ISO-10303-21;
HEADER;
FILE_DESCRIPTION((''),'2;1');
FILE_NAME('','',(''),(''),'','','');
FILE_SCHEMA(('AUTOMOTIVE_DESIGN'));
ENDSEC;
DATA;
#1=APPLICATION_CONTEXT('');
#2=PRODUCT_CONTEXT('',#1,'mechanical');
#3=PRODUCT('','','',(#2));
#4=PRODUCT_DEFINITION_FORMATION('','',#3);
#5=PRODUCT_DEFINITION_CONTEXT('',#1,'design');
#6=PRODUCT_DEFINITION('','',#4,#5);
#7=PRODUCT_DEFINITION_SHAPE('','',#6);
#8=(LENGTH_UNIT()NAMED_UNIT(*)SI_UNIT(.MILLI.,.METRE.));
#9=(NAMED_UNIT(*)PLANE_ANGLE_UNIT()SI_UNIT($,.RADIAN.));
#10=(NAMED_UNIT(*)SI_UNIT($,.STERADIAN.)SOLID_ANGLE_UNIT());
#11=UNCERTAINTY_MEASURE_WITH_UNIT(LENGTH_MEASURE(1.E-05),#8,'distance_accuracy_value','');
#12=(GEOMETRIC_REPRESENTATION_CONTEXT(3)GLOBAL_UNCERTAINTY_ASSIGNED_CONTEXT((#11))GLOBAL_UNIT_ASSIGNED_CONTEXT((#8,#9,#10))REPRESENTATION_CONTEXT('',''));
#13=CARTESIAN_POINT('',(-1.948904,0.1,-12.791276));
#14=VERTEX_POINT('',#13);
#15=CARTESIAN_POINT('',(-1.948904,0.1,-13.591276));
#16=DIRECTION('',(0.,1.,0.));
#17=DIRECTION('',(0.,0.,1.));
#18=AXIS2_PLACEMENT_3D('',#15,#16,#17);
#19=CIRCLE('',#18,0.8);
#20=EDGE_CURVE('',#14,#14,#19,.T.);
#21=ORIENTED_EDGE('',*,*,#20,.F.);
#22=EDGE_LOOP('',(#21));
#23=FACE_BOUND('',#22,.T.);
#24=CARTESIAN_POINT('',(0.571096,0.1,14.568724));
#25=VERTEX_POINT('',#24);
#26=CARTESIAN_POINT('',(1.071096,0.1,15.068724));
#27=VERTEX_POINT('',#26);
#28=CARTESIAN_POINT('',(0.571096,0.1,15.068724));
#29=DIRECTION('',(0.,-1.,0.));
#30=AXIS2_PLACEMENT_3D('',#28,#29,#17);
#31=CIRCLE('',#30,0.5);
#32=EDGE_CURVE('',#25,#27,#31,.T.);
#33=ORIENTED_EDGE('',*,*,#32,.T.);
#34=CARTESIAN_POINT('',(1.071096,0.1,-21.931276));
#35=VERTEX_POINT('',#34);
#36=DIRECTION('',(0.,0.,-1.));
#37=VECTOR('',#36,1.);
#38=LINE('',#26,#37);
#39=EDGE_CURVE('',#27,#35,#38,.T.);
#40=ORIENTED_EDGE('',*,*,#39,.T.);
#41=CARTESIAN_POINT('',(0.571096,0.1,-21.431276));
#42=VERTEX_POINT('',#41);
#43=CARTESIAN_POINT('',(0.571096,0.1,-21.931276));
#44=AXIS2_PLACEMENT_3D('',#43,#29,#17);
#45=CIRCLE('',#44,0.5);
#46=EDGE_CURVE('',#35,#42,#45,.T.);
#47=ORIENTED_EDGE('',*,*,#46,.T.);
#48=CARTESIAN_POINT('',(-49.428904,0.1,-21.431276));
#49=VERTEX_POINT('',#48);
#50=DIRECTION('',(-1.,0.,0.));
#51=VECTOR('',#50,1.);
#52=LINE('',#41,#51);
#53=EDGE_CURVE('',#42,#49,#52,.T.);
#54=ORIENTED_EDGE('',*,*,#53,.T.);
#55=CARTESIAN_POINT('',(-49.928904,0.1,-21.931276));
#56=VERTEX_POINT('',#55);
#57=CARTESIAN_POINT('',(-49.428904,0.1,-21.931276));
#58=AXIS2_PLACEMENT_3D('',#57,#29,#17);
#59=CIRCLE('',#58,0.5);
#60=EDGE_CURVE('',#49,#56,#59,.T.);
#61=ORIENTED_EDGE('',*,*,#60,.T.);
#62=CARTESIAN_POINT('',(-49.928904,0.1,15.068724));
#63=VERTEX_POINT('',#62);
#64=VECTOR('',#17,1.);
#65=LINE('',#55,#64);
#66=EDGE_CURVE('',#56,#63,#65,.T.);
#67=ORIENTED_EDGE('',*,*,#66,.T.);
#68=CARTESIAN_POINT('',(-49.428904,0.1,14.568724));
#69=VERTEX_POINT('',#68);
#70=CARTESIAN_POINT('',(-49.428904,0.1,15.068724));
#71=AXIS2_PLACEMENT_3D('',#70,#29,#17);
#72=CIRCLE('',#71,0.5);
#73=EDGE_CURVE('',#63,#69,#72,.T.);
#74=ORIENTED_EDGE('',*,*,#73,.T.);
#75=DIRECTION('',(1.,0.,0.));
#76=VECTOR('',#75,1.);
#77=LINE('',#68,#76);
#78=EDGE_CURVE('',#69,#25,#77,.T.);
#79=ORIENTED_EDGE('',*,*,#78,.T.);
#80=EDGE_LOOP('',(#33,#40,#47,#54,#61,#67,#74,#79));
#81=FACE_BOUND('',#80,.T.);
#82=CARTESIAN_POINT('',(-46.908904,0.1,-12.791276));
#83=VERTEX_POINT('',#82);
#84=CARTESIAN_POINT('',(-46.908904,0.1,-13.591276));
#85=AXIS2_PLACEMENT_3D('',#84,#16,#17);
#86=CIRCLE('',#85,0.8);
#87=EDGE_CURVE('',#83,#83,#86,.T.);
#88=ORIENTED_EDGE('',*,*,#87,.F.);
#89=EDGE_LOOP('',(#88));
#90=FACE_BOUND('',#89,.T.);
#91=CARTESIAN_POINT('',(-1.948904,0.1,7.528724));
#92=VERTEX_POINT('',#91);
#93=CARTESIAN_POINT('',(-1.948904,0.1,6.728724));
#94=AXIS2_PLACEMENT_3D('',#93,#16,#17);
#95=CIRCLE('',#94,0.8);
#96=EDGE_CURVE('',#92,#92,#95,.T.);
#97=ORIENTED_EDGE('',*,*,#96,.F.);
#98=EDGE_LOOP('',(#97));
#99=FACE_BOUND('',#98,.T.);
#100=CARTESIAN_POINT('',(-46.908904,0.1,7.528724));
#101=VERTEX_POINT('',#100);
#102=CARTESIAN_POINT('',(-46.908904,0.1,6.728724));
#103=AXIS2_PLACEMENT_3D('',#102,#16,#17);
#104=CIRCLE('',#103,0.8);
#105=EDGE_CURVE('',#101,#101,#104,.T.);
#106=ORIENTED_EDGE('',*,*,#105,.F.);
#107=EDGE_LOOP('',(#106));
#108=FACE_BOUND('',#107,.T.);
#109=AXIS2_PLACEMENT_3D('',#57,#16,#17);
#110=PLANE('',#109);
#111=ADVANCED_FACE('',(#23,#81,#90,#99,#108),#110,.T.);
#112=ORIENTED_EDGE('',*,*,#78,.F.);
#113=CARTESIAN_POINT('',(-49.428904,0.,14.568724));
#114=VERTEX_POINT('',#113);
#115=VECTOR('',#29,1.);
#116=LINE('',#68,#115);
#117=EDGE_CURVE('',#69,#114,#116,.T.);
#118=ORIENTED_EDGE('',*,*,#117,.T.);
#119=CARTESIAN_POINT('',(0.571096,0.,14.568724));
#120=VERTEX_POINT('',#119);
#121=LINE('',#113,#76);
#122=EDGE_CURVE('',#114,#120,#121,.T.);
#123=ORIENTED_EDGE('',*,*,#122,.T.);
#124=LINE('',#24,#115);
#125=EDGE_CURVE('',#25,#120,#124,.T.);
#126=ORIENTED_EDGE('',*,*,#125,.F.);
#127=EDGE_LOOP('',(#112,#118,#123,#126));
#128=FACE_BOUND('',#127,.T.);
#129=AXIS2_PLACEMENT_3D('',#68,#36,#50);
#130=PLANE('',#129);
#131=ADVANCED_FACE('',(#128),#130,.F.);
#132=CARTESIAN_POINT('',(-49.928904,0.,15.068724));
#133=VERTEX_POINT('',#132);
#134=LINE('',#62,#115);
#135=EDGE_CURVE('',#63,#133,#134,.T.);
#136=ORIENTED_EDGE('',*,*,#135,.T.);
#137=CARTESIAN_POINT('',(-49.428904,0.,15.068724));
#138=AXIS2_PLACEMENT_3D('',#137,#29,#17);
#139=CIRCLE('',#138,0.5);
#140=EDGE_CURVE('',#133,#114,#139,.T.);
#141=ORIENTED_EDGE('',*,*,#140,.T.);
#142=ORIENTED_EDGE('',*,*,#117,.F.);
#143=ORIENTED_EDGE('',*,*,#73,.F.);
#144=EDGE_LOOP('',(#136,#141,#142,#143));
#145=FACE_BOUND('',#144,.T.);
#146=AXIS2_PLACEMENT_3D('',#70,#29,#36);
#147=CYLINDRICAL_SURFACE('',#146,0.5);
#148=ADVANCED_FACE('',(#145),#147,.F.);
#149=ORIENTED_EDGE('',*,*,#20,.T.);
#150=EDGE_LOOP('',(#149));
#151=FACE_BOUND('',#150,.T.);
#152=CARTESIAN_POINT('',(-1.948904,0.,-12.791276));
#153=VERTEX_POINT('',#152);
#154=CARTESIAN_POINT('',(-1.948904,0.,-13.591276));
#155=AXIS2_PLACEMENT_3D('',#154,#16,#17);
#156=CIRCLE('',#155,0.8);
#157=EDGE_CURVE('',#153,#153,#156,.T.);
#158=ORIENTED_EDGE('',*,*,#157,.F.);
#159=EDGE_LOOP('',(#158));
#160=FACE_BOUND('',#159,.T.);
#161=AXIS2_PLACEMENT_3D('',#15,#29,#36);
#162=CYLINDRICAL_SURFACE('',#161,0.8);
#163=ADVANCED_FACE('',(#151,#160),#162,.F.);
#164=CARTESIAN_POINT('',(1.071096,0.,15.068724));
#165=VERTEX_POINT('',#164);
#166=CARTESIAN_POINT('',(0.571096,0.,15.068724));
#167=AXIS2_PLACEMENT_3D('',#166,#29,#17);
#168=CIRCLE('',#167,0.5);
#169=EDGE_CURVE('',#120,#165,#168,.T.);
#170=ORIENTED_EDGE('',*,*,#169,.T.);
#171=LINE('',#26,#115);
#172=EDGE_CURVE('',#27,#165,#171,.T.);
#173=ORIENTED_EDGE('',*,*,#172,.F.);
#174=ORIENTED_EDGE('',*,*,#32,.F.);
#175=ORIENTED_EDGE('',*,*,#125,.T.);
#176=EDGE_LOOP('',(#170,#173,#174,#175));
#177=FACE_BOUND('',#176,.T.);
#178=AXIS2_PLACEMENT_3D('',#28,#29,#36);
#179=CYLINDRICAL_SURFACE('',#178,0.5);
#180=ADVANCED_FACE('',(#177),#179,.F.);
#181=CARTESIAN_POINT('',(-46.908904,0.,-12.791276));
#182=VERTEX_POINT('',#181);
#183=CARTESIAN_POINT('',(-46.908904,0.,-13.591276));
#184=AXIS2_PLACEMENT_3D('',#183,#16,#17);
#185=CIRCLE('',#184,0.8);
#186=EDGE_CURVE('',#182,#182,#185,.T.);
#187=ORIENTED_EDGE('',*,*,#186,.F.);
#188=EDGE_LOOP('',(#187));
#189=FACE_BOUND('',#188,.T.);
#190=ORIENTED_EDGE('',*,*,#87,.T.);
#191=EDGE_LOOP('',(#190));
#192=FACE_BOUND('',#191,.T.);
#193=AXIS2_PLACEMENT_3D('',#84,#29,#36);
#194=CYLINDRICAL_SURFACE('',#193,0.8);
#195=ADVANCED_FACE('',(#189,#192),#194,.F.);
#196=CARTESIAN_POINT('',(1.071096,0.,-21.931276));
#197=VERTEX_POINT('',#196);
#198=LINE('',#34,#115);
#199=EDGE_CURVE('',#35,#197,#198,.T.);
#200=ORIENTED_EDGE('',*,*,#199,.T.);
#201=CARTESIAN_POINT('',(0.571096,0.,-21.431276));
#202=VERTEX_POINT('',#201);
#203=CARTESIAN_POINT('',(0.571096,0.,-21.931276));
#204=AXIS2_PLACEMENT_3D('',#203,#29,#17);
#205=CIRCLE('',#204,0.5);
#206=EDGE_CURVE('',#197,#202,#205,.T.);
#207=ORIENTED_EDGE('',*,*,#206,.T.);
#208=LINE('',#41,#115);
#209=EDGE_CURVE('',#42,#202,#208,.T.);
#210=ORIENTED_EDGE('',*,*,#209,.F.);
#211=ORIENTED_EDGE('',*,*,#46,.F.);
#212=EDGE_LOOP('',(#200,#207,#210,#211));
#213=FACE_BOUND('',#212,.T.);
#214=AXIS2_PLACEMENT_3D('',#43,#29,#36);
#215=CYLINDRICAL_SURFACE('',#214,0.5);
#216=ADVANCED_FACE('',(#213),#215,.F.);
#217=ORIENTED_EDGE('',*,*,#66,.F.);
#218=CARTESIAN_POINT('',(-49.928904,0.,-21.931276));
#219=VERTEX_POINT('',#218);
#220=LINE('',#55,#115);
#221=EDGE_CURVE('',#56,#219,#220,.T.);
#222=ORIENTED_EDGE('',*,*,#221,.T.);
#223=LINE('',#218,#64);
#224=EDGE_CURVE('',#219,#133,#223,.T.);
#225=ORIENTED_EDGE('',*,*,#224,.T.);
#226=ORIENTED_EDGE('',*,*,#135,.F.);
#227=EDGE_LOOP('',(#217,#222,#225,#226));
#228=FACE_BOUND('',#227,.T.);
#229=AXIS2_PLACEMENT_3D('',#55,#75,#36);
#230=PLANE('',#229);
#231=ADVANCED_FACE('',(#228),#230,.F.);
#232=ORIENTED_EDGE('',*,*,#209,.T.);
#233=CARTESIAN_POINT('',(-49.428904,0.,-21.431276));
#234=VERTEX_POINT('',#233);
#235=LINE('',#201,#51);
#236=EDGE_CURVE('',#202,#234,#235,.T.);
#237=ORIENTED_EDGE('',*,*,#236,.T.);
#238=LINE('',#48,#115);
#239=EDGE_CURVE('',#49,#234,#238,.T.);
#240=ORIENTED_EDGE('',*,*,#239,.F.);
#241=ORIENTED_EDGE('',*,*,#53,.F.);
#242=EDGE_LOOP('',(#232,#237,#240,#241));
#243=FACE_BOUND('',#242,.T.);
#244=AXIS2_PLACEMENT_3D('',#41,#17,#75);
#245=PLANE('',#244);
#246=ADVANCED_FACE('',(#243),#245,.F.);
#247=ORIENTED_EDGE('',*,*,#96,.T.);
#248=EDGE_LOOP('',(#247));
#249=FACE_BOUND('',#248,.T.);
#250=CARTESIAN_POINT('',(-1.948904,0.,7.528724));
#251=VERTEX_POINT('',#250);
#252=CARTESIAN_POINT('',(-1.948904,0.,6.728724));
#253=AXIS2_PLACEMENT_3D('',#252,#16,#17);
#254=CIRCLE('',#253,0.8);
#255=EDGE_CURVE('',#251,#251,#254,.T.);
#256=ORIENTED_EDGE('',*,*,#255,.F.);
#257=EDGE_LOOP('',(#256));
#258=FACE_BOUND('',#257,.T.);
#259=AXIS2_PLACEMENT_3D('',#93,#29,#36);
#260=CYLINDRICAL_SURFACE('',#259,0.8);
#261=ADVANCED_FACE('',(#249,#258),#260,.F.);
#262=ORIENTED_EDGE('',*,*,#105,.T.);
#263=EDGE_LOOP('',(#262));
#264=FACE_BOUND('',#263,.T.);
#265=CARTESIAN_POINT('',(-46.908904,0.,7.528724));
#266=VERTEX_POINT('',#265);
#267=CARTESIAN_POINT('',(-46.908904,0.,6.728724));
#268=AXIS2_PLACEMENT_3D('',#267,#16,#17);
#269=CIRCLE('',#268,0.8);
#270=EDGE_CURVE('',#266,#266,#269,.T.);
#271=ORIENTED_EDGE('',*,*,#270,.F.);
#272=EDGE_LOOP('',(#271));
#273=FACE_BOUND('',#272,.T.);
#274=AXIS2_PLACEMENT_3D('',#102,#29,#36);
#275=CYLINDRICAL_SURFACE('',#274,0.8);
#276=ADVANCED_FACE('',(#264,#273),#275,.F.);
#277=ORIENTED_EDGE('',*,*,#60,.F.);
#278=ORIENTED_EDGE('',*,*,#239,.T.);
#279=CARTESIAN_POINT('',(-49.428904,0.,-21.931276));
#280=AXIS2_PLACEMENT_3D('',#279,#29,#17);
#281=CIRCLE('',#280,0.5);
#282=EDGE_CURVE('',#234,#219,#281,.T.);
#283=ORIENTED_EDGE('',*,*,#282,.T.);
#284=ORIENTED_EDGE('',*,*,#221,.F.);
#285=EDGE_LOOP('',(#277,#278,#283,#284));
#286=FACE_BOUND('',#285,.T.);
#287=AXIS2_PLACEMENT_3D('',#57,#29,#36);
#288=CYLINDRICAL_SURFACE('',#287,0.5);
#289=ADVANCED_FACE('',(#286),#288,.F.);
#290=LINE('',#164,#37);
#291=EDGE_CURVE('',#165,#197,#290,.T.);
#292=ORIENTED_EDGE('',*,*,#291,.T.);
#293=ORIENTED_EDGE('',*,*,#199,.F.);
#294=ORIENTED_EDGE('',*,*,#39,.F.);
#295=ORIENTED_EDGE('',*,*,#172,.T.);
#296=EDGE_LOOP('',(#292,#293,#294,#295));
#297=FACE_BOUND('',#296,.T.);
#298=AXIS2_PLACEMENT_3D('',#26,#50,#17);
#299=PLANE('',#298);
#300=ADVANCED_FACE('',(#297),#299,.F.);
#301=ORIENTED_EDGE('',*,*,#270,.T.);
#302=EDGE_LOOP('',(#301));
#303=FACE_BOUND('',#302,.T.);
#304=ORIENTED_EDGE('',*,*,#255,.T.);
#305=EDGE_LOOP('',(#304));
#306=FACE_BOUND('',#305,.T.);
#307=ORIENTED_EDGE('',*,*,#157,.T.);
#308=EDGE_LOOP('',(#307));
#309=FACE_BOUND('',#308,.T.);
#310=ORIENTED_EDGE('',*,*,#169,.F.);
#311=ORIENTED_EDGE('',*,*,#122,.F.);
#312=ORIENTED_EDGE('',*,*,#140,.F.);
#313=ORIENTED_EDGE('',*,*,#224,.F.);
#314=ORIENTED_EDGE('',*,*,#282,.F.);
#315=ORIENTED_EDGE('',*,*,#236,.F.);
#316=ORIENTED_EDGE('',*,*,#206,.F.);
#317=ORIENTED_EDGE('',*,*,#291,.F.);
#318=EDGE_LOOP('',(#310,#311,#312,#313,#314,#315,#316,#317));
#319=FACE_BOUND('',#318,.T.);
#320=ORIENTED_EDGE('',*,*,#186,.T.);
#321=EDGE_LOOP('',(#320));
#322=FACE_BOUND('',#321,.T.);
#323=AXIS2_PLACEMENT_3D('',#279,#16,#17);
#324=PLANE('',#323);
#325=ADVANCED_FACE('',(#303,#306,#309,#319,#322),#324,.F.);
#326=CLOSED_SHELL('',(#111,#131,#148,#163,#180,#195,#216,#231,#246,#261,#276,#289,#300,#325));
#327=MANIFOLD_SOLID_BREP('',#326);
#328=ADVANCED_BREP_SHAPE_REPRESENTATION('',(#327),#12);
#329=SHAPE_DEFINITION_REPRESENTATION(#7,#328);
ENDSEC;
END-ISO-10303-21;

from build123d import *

# Parameters (mm, degrees)
SKETCH2_R           = 0.8
BOSS_EXTRUDE2_DEPTH = 0.1


with BuildPart() as part:
    # Sketch2 → Boss-Extrude2 (new body)
    with BuildSketch(Plane(origin=(0, 0, 0), x_dir=(1, 0, 0), z_dir=(0, 1, 0))):
        with BuildLine():
            Line((-49.928903971, 21.931275587), (-49.928903971, -15.068724413))
            ThreePointArc((-49.928903971, -15.068724413), (-49.782457361, -14.715171023), (-49.428903971, -14.568724413))
            Line((-49.428903971, -14.568724413), (0.571096029, -14.568724413))
            ThreePointArc((0.571096029, -14.568724413), (0.92464942, -14.715171023), (1.071096029, -15.068724413))
            Line((1.071096029, -15.068724413), (1.071096029, 21.931275587))
            ThreePointArc((1.071096029, 21.931275587), (0.92464942, 21.577722196), (0.571096029, 21.431275587))
            Line((0.571096029, 21.431275587), (-49.428903971, 21.431275587))
            ThreePointArc((-49.428903971, 21.431275587), (-49.782457361, 21.577722196), (-49.928903971, 21.931275587))
        make_face()
        with Locations(Location((-1.948903971, 13.591275587, 0), (0, 0, 270))):
            Circle(SKETCH2_R, mode=Mode.SUBTRACT)
        with Locations(Location((-46.908903971, 13.591275587, 0), (0, 0, 270))):
            Circle(SKETCH2_R, mode=Mode.SUBTRACT)
        with Locations(Location((-46.908903971, -6.728724413, 0), (0, 0, 270))):
            Circle(SKETCH2_R, mode=Mode.SUBTRACT)
        with Locations(Location((-1.948903971, -6.728724413, 0), (0, 0, 270))):
            Circle(SKETCH2_R, mode=Mode.SUBTRACT)
    extrude(amount=BOSS_EXTRUDE2_DEPTH)


solid = part.part
